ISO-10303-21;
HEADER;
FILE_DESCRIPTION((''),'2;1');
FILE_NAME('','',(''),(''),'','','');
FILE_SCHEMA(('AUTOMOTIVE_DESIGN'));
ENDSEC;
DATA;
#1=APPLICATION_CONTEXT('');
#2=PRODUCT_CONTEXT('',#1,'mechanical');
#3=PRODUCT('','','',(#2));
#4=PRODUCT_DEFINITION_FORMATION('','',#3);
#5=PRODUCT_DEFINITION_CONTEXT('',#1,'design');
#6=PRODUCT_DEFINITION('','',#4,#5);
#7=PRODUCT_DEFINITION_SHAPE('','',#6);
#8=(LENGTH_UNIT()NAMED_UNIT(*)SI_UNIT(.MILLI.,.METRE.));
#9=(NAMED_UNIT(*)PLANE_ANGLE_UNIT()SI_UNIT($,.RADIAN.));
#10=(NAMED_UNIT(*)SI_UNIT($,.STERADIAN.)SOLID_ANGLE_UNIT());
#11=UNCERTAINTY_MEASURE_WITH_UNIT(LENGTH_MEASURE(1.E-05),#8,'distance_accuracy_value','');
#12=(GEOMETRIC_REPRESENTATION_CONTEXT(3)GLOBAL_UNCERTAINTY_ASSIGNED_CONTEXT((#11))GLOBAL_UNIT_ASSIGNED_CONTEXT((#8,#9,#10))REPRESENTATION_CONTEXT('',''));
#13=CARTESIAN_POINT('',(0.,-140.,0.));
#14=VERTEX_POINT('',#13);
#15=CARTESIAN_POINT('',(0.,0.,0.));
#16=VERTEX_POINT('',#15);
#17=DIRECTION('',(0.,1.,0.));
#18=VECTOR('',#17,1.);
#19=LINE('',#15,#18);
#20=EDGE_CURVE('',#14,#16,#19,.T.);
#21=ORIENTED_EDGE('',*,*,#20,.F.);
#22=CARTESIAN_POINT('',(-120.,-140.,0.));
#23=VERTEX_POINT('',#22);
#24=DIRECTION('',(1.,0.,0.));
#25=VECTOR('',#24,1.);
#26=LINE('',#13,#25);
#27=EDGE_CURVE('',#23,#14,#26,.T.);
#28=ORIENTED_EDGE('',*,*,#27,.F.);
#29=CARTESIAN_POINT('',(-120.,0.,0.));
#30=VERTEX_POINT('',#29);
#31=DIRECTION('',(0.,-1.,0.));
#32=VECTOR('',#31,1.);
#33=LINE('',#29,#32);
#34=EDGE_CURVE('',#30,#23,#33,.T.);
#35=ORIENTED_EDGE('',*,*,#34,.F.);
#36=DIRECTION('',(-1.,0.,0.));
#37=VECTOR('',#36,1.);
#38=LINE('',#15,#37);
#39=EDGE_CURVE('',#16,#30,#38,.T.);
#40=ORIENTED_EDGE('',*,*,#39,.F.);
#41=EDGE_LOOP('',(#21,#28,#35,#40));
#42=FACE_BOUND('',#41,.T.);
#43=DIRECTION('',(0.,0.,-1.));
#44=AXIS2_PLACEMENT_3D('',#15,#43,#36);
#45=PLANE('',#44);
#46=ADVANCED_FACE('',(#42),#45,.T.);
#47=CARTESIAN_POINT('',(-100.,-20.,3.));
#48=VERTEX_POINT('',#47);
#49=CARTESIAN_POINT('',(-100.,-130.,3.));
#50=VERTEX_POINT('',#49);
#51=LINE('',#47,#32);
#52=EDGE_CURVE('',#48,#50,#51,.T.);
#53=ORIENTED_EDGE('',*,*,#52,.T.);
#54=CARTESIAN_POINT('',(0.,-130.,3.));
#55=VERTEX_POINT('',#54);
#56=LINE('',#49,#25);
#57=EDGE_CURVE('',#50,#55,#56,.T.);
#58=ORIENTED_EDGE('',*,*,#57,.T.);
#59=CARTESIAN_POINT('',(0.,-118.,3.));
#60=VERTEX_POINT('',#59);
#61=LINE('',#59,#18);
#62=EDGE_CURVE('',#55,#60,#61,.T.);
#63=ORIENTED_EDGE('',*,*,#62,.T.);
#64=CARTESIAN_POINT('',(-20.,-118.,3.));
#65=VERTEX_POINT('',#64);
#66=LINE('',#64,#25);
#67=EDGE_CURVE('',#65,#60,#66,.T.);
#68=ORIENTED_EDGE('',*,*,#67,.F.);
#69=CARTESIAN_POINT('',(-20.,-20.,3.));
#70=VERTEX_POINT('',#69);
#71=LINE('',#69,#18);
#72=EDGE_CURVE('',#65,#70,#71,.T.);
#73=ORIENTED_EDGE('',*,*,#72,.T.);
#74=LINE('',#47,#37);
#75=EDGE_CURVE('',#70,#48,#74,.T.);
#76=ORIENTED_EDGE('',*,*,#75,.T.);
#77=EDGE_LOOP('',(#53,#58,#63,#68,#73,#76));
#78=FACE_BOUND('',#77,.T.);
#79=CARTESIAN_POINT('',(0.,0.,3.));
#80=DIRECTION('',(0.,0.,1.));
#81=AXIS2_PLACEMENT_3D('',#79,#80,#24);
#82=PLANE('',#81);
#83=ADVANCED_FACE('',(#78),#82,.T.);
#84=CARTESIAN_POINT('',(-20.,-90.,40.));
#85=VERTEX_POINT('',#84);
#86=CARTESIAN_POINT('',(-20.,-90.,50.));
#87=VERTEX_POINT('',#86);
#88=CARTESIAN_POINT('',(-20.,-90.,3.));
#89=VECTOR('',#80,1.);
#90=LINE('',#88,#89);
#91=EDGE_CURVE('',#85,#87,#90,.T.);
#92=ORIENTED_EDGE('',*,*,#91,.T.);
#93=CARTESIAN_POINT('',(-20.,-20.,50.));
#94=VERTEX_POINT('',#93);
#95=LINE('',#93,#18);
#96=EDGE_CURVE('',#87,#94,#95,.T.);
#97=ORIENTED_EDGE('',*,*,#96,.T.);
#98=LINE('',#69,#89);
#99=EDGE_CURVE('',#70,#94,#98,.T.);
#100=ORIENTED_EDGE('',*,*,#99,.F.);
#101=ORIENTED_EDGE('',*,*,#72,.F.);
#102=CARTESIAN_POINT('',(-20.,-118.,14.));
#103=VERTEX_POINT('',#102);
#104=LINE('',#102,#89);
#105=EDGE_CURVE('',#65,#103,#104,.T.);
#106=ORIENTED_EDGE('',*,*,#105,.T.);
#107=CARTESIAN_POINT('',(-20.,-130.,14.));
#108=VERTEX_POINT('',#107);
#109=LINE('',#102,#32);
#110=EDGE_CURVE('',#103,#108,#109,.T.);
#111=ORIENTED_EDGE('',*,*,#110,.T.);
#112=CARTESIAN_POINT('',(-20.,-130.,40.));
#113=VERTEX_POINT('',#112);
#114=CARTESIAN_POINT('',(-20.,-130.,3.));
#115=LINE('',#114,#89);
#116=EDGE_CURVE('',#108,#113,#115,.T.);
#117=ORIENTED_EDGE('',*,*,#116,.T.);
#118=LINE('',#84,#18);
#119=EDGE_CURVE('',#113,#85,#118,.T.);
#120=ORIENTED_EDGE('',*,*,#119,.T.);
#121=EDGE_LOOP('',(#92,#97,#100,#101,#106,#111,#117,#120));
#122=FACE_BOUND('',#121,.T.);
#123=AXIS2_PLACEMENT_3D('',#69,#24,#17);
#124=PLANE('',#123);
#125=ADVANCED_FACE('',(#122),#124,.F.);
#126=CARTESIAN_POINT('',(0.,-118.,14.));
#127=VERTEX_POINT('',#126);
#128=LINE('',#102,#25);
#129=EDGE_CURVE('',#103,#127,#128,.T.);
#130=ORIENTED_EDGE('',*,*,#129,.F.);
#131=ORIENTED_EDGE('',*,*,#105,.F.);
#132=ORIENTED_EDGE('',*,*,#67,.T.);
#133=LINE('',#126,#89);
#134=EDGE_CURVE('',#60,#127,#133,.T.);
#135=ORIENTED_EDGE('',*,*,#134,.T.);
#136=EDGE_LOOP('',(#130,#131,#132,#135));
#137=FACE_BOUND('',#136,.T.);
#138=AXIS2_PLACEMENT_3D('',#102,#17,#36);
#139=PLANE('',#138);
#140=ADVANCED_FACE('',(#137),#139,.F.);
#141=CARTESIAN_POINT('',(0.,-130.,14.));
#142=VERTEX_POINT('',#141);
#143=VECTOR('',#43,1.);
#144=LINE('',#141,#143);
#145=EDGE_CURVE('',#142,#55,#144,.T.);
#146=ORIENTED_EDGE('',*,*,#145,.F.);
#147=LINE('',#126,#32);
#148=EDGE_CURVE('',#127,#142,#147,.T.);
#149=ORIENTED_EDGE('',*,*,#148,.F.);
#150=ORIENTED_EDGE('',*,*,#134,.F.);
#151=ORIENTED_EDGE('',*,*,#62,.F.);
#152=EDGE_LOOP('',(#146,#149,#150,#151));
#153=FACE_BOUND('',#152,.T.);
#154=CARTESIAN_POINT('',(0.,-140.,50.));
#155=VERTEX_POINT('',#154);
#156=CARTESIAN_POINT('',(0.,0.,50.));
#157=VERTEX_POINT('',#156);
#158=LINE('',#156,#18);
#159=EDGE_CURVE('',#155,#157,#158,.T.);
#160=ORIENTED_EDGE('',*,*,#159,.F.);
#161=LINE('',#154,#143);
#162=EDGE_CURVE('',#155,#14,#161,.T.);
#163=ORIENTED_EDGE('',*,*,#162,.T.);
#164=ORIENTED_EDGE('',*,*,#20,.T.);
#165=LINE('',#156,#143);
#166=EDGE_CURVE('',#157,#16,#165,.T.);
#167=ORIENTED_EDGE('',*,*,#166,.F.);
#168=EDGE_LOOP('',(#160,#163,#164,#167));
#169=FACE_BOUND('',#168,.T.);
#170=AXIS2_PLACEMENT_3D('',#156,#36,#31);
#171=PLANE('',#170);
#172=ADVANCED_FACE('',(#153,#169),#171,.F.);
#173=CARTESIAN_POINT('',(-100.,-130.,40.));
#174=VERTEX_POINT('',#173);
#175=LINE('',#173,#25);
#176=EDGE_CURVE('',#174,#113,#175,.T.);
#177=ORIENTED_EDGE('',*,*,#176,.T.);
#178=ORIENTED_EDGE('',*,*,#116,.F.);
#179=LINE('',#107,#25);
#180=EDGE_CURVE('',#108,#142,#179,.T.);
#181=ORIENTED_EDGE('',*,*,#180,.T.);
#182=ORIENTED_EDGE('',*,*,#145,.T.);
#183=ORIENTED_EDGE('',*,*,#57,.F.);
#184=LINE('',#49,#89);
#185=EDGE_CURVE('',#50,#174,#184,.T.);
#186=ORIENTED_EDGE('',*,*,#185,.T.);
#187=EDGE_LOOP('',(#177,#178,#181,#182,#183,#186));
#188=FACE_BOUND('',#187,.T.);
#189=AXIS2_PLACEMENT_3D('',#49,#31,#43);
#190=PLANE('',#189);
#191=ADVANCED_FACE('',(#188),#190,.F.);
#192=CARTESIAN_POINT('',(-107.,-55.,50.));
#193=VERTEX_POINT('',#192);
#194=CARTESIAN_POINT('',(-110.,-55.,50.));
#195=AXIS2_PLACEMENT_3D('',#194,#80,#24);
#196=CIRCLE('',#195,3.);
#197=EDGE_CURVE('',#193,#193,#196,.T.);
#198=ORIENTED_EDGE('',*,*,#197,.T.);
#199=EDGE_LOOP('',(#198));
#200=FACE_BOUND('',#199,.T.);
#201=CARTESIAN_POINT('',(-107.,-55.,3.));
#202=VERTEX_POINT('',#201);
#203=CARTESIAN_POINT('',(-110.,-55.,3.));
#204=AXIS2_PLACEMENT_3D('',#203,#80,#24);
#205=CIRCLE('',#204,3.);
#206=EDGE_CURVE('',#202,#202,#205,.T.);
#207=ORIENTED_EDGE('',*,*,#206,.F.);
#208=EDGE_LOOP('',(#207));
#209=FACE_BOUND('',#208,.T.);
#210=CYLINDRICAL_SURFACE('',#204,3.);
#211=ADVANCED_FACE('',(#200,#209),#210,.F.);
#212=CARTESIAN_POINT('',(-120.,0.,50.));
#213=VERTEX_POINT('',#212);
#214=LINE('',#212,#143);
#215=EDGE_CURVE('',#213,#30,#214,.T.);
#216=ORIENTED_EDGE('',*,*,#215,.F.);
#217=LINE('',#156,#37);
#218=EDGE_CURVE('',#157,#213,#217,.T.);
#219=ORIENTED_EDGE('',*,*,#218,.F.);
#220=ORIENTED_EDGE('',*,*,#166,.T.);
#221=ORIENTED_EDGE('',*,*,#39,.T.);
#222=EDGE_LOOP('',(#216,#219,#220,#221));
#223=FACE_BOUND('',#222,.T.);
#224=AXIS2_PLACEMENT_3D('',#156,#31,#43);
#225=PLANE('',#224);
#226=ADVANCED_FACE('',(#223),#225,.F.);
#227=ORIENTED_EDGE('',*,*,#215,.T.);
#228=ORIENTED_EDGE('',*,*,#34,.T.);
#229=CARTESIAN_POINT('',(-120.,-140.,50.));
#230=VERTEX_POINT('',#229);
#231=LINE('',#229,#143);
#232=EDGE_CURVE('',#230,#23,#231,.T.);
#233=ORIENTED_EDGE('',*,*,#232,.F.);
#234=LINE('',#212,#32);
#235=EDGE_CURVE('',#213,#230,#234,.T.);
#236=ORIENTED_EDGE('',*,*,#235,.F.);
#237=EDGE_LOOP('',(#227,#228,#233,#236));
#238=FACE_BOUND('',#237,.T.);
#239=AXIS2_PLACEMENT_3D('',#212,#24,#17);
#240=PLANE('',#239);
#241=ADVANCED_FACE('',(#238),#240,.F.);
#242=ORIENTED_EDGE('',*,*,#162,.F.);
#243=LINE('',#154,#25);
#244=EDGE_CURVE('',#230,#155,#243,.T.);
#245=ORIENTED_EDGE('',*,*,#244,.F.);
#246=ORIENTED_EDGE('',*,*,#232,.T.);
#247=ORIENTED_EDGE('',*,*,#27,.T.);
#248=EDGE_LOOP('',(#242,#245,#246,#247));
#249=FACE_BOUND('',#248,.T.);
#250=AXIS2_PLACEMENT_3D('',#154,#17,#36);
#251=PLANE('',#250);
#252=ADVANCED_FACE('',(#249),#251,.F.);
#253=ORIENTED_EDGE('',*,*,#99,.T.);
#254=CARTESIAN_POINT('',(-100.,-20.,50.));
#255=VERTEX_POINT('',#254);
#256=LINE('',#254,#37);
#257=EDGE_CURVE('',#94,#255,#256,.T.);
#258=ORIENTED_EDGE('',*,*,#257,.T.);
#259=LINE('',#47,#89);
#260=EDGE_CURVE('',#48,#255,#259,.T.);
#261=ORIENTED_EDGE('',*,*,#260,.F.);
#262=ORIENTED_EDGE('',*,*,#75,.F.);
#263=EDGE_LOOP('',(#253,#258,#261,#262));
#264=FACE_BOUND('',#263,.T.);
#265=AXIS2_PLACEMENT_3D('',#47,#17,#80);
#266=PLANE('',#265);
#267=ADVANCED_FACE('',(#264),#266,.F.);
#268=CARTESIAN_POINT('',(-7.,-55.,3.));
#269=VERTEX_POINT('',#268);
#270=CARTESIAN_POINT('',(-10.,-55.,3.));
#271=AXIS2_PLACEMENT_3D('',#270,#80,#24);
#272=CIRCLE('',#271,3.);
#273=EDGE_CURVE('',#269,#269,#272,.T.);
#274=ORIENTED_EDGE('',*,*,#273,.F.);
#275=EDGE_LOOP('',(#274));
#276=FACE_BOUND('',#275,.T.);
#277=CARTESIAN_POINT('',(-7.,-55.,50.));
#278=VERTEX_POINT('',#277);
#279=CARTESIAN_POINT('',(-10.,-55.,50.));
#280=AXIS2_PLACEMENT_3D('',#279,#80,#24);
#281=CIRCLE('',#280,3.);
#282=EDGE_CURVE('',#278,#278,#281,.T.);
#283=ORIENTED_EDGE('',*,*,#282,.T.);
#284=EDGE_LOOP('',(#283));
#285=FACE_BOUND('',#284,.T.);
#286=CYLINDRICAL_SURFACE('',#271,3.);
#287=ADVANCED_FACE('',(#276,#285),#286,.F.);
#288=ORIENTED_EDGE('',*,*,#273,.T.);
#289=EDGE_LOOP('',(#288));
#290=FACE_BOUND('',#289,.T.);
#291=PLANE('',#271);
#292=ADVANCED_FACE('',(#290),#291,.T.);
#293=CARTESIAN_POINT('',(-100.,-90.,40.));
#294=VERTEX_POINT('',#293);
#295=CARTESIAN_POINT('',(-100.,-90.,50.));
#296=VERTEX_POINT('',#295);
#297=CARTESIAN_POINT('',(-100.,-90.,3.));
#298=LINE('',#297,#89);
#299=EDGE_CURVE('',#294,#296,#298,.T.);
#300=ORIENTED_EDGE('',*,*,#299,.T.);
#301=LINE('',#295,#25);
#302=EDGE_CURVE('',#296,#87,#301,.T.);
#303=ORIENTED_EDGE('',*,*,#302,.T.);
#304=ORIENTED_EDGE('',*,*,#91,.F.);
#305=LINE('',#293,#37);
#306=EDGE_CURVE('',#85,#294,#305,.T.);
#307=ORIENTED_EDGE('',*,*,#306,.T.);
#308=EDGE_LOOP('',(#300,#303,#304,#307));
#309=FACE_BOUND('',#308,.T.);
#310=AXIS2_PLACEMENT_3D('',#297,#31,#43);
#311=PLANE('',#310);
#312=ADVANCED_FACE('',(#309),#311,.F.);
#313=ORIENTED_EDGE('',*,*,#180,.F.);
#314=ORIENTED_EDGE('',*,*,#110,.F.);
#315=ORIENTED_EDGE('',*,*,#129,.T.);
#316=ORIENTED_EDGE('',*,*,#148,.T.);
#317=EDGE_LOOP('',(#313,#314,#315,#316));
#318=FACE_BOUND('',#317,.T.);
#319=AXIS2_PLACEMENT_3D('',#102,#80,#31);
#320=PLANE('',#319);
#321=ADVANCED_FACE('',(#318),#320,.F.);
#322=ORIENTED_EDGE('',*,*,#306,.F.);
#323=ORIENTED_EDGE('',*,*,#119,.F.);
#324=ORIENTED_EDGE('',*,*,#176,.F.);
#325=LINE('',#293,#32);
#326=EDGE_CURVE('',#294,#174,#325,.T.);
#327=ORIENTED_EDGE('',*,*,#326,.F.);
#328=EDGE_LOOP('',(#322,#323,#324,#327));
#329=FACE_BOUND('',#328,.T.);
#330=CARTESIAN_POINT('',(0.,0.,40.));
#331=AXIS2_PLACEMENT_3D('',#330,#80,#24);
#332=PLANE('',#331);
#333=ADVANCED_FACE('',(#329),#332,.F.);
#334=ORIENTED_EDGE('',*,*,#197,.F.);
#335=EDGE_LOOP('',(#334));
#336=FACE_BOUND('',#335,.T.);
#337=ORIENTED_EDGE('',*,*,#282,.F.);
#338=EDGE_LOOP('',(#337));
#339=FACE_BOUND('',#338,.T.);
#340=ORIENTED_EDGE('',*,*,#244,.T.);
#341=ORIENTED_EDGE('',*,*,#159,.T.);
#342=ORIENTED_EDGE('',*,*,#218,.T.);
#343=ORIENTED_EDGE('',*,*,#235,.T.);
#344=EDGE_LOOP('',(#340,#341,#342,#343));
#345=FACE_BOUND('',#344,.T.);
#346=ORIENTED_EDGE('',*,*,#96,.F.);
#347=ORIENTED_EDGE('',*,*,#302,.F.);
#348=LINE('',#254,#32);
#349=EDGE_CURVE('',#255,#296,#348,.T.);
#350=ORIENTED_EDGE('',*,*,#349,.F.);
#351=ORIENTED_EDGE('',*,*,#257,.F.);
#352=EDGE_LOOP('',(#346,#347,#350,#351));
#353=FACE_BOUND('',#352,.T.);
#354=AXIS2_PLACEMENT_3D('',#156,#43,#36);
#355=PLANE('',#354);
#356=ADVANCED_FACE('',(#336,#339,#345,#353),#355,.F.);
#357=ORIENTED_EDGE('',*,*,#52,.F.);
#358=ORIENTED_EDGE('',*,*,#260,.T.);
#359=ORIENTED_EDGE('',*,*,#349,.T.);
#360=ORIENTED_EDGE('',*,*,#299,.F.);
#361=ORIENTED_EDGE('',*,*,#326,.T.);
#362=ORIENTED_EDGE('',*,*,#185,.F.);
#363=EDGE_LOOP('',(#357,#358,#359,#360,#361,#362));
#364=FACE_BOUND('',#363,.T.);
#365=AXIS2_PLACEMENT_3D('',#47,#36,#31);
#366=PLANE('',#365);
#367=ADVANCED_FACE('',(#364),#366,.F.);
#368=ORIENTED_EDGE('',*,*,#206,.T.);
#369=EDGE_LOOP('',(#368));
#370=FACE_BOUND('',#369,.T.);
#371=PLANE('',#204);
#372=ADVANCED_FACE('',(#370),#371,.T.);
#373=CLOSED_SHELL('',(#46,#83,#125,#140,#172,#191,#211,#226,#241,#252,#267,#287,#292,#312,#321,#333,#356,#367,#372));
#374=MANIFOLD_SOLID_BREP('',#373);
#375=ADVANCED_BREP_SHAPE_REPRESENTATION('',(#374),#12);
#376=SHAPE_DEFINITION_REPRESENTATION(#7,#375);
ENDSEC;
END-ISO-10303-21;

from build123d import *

# Parameters (mm, degrees)
SKETCH2_W           = 120
SKETCH2_H           = 140
BOSS_EXTRUDE1_DEPTH = 50
SKETCH3_R           = 3
SKETCH3_W           = 80
SKETCH3_H           = 70
CUT_EXTRUDE1_DEPTH  = 47
CUT_EXTRUDE3_START  = -10
SKETCH4_W           = 80
SKETCH4_H           = 40
CUT_EXTRUDE3_DEPTH  = 37
SKETCH5_W           = 11
SKETCH5_H           = 12
CUT_EXTRUDE4_DEPTH  = 20


with BuildPart() as part:
    # Sketch2 → Boss-Extrude1 (new body)
    with BuildSketch(Plane.XY):
        with Locations((-60, -70)):
            Rectangle(SKETCH2_W, SKETCH2_H)
    extrude(amount=BOSS_EXTRUDE1_DEPTH)

    # Sketch3 → Cut-Extrude1 (cut)
    with BuildSketch(Plane.XY.offset(50)):
        with Locations((-110, -55)):
            Circle(SKETCH3_R)
        with Locations((-10, -55)):
            Circle(SKETCH3_R)
        with Locations((-60, -55)):
            Rectangle(SKETCH3_W, SKETCH3_H)
    extrude(amount=-CUT_EXTRUDE1_DEPTH, mode=Mode.SUBTRACT)

    # Sketch4 → Cut-Extrude3 (cut)
    with BuildSketch(Plane.XY.offset(50).offset(CUT_EXTRUDE3_START)):
        with Locations((-60, -110)):
            Rectangle(SKETCH4_W, SKETCH4_H)
    extrude(amount=-CUT_EXTRUDE3_DEPTH, mode=Mode.SUBTRACT)

    # Sketch5 → Cut-Extrude4 (cut)
    with BuildSketch(Plane(origin=(0, 0, 0), x_dir=(0, 0, -1), z_dir=(1, 0, 0))):
        with Locations((-8.5, -124)):
            Rectangle(SKETCH5_W, SKETCH5_H)
    extrude(amount=-CUT_EXTRUDE4_DEPTH, mode=Mode.SUBTRACT)


solid = part.part
